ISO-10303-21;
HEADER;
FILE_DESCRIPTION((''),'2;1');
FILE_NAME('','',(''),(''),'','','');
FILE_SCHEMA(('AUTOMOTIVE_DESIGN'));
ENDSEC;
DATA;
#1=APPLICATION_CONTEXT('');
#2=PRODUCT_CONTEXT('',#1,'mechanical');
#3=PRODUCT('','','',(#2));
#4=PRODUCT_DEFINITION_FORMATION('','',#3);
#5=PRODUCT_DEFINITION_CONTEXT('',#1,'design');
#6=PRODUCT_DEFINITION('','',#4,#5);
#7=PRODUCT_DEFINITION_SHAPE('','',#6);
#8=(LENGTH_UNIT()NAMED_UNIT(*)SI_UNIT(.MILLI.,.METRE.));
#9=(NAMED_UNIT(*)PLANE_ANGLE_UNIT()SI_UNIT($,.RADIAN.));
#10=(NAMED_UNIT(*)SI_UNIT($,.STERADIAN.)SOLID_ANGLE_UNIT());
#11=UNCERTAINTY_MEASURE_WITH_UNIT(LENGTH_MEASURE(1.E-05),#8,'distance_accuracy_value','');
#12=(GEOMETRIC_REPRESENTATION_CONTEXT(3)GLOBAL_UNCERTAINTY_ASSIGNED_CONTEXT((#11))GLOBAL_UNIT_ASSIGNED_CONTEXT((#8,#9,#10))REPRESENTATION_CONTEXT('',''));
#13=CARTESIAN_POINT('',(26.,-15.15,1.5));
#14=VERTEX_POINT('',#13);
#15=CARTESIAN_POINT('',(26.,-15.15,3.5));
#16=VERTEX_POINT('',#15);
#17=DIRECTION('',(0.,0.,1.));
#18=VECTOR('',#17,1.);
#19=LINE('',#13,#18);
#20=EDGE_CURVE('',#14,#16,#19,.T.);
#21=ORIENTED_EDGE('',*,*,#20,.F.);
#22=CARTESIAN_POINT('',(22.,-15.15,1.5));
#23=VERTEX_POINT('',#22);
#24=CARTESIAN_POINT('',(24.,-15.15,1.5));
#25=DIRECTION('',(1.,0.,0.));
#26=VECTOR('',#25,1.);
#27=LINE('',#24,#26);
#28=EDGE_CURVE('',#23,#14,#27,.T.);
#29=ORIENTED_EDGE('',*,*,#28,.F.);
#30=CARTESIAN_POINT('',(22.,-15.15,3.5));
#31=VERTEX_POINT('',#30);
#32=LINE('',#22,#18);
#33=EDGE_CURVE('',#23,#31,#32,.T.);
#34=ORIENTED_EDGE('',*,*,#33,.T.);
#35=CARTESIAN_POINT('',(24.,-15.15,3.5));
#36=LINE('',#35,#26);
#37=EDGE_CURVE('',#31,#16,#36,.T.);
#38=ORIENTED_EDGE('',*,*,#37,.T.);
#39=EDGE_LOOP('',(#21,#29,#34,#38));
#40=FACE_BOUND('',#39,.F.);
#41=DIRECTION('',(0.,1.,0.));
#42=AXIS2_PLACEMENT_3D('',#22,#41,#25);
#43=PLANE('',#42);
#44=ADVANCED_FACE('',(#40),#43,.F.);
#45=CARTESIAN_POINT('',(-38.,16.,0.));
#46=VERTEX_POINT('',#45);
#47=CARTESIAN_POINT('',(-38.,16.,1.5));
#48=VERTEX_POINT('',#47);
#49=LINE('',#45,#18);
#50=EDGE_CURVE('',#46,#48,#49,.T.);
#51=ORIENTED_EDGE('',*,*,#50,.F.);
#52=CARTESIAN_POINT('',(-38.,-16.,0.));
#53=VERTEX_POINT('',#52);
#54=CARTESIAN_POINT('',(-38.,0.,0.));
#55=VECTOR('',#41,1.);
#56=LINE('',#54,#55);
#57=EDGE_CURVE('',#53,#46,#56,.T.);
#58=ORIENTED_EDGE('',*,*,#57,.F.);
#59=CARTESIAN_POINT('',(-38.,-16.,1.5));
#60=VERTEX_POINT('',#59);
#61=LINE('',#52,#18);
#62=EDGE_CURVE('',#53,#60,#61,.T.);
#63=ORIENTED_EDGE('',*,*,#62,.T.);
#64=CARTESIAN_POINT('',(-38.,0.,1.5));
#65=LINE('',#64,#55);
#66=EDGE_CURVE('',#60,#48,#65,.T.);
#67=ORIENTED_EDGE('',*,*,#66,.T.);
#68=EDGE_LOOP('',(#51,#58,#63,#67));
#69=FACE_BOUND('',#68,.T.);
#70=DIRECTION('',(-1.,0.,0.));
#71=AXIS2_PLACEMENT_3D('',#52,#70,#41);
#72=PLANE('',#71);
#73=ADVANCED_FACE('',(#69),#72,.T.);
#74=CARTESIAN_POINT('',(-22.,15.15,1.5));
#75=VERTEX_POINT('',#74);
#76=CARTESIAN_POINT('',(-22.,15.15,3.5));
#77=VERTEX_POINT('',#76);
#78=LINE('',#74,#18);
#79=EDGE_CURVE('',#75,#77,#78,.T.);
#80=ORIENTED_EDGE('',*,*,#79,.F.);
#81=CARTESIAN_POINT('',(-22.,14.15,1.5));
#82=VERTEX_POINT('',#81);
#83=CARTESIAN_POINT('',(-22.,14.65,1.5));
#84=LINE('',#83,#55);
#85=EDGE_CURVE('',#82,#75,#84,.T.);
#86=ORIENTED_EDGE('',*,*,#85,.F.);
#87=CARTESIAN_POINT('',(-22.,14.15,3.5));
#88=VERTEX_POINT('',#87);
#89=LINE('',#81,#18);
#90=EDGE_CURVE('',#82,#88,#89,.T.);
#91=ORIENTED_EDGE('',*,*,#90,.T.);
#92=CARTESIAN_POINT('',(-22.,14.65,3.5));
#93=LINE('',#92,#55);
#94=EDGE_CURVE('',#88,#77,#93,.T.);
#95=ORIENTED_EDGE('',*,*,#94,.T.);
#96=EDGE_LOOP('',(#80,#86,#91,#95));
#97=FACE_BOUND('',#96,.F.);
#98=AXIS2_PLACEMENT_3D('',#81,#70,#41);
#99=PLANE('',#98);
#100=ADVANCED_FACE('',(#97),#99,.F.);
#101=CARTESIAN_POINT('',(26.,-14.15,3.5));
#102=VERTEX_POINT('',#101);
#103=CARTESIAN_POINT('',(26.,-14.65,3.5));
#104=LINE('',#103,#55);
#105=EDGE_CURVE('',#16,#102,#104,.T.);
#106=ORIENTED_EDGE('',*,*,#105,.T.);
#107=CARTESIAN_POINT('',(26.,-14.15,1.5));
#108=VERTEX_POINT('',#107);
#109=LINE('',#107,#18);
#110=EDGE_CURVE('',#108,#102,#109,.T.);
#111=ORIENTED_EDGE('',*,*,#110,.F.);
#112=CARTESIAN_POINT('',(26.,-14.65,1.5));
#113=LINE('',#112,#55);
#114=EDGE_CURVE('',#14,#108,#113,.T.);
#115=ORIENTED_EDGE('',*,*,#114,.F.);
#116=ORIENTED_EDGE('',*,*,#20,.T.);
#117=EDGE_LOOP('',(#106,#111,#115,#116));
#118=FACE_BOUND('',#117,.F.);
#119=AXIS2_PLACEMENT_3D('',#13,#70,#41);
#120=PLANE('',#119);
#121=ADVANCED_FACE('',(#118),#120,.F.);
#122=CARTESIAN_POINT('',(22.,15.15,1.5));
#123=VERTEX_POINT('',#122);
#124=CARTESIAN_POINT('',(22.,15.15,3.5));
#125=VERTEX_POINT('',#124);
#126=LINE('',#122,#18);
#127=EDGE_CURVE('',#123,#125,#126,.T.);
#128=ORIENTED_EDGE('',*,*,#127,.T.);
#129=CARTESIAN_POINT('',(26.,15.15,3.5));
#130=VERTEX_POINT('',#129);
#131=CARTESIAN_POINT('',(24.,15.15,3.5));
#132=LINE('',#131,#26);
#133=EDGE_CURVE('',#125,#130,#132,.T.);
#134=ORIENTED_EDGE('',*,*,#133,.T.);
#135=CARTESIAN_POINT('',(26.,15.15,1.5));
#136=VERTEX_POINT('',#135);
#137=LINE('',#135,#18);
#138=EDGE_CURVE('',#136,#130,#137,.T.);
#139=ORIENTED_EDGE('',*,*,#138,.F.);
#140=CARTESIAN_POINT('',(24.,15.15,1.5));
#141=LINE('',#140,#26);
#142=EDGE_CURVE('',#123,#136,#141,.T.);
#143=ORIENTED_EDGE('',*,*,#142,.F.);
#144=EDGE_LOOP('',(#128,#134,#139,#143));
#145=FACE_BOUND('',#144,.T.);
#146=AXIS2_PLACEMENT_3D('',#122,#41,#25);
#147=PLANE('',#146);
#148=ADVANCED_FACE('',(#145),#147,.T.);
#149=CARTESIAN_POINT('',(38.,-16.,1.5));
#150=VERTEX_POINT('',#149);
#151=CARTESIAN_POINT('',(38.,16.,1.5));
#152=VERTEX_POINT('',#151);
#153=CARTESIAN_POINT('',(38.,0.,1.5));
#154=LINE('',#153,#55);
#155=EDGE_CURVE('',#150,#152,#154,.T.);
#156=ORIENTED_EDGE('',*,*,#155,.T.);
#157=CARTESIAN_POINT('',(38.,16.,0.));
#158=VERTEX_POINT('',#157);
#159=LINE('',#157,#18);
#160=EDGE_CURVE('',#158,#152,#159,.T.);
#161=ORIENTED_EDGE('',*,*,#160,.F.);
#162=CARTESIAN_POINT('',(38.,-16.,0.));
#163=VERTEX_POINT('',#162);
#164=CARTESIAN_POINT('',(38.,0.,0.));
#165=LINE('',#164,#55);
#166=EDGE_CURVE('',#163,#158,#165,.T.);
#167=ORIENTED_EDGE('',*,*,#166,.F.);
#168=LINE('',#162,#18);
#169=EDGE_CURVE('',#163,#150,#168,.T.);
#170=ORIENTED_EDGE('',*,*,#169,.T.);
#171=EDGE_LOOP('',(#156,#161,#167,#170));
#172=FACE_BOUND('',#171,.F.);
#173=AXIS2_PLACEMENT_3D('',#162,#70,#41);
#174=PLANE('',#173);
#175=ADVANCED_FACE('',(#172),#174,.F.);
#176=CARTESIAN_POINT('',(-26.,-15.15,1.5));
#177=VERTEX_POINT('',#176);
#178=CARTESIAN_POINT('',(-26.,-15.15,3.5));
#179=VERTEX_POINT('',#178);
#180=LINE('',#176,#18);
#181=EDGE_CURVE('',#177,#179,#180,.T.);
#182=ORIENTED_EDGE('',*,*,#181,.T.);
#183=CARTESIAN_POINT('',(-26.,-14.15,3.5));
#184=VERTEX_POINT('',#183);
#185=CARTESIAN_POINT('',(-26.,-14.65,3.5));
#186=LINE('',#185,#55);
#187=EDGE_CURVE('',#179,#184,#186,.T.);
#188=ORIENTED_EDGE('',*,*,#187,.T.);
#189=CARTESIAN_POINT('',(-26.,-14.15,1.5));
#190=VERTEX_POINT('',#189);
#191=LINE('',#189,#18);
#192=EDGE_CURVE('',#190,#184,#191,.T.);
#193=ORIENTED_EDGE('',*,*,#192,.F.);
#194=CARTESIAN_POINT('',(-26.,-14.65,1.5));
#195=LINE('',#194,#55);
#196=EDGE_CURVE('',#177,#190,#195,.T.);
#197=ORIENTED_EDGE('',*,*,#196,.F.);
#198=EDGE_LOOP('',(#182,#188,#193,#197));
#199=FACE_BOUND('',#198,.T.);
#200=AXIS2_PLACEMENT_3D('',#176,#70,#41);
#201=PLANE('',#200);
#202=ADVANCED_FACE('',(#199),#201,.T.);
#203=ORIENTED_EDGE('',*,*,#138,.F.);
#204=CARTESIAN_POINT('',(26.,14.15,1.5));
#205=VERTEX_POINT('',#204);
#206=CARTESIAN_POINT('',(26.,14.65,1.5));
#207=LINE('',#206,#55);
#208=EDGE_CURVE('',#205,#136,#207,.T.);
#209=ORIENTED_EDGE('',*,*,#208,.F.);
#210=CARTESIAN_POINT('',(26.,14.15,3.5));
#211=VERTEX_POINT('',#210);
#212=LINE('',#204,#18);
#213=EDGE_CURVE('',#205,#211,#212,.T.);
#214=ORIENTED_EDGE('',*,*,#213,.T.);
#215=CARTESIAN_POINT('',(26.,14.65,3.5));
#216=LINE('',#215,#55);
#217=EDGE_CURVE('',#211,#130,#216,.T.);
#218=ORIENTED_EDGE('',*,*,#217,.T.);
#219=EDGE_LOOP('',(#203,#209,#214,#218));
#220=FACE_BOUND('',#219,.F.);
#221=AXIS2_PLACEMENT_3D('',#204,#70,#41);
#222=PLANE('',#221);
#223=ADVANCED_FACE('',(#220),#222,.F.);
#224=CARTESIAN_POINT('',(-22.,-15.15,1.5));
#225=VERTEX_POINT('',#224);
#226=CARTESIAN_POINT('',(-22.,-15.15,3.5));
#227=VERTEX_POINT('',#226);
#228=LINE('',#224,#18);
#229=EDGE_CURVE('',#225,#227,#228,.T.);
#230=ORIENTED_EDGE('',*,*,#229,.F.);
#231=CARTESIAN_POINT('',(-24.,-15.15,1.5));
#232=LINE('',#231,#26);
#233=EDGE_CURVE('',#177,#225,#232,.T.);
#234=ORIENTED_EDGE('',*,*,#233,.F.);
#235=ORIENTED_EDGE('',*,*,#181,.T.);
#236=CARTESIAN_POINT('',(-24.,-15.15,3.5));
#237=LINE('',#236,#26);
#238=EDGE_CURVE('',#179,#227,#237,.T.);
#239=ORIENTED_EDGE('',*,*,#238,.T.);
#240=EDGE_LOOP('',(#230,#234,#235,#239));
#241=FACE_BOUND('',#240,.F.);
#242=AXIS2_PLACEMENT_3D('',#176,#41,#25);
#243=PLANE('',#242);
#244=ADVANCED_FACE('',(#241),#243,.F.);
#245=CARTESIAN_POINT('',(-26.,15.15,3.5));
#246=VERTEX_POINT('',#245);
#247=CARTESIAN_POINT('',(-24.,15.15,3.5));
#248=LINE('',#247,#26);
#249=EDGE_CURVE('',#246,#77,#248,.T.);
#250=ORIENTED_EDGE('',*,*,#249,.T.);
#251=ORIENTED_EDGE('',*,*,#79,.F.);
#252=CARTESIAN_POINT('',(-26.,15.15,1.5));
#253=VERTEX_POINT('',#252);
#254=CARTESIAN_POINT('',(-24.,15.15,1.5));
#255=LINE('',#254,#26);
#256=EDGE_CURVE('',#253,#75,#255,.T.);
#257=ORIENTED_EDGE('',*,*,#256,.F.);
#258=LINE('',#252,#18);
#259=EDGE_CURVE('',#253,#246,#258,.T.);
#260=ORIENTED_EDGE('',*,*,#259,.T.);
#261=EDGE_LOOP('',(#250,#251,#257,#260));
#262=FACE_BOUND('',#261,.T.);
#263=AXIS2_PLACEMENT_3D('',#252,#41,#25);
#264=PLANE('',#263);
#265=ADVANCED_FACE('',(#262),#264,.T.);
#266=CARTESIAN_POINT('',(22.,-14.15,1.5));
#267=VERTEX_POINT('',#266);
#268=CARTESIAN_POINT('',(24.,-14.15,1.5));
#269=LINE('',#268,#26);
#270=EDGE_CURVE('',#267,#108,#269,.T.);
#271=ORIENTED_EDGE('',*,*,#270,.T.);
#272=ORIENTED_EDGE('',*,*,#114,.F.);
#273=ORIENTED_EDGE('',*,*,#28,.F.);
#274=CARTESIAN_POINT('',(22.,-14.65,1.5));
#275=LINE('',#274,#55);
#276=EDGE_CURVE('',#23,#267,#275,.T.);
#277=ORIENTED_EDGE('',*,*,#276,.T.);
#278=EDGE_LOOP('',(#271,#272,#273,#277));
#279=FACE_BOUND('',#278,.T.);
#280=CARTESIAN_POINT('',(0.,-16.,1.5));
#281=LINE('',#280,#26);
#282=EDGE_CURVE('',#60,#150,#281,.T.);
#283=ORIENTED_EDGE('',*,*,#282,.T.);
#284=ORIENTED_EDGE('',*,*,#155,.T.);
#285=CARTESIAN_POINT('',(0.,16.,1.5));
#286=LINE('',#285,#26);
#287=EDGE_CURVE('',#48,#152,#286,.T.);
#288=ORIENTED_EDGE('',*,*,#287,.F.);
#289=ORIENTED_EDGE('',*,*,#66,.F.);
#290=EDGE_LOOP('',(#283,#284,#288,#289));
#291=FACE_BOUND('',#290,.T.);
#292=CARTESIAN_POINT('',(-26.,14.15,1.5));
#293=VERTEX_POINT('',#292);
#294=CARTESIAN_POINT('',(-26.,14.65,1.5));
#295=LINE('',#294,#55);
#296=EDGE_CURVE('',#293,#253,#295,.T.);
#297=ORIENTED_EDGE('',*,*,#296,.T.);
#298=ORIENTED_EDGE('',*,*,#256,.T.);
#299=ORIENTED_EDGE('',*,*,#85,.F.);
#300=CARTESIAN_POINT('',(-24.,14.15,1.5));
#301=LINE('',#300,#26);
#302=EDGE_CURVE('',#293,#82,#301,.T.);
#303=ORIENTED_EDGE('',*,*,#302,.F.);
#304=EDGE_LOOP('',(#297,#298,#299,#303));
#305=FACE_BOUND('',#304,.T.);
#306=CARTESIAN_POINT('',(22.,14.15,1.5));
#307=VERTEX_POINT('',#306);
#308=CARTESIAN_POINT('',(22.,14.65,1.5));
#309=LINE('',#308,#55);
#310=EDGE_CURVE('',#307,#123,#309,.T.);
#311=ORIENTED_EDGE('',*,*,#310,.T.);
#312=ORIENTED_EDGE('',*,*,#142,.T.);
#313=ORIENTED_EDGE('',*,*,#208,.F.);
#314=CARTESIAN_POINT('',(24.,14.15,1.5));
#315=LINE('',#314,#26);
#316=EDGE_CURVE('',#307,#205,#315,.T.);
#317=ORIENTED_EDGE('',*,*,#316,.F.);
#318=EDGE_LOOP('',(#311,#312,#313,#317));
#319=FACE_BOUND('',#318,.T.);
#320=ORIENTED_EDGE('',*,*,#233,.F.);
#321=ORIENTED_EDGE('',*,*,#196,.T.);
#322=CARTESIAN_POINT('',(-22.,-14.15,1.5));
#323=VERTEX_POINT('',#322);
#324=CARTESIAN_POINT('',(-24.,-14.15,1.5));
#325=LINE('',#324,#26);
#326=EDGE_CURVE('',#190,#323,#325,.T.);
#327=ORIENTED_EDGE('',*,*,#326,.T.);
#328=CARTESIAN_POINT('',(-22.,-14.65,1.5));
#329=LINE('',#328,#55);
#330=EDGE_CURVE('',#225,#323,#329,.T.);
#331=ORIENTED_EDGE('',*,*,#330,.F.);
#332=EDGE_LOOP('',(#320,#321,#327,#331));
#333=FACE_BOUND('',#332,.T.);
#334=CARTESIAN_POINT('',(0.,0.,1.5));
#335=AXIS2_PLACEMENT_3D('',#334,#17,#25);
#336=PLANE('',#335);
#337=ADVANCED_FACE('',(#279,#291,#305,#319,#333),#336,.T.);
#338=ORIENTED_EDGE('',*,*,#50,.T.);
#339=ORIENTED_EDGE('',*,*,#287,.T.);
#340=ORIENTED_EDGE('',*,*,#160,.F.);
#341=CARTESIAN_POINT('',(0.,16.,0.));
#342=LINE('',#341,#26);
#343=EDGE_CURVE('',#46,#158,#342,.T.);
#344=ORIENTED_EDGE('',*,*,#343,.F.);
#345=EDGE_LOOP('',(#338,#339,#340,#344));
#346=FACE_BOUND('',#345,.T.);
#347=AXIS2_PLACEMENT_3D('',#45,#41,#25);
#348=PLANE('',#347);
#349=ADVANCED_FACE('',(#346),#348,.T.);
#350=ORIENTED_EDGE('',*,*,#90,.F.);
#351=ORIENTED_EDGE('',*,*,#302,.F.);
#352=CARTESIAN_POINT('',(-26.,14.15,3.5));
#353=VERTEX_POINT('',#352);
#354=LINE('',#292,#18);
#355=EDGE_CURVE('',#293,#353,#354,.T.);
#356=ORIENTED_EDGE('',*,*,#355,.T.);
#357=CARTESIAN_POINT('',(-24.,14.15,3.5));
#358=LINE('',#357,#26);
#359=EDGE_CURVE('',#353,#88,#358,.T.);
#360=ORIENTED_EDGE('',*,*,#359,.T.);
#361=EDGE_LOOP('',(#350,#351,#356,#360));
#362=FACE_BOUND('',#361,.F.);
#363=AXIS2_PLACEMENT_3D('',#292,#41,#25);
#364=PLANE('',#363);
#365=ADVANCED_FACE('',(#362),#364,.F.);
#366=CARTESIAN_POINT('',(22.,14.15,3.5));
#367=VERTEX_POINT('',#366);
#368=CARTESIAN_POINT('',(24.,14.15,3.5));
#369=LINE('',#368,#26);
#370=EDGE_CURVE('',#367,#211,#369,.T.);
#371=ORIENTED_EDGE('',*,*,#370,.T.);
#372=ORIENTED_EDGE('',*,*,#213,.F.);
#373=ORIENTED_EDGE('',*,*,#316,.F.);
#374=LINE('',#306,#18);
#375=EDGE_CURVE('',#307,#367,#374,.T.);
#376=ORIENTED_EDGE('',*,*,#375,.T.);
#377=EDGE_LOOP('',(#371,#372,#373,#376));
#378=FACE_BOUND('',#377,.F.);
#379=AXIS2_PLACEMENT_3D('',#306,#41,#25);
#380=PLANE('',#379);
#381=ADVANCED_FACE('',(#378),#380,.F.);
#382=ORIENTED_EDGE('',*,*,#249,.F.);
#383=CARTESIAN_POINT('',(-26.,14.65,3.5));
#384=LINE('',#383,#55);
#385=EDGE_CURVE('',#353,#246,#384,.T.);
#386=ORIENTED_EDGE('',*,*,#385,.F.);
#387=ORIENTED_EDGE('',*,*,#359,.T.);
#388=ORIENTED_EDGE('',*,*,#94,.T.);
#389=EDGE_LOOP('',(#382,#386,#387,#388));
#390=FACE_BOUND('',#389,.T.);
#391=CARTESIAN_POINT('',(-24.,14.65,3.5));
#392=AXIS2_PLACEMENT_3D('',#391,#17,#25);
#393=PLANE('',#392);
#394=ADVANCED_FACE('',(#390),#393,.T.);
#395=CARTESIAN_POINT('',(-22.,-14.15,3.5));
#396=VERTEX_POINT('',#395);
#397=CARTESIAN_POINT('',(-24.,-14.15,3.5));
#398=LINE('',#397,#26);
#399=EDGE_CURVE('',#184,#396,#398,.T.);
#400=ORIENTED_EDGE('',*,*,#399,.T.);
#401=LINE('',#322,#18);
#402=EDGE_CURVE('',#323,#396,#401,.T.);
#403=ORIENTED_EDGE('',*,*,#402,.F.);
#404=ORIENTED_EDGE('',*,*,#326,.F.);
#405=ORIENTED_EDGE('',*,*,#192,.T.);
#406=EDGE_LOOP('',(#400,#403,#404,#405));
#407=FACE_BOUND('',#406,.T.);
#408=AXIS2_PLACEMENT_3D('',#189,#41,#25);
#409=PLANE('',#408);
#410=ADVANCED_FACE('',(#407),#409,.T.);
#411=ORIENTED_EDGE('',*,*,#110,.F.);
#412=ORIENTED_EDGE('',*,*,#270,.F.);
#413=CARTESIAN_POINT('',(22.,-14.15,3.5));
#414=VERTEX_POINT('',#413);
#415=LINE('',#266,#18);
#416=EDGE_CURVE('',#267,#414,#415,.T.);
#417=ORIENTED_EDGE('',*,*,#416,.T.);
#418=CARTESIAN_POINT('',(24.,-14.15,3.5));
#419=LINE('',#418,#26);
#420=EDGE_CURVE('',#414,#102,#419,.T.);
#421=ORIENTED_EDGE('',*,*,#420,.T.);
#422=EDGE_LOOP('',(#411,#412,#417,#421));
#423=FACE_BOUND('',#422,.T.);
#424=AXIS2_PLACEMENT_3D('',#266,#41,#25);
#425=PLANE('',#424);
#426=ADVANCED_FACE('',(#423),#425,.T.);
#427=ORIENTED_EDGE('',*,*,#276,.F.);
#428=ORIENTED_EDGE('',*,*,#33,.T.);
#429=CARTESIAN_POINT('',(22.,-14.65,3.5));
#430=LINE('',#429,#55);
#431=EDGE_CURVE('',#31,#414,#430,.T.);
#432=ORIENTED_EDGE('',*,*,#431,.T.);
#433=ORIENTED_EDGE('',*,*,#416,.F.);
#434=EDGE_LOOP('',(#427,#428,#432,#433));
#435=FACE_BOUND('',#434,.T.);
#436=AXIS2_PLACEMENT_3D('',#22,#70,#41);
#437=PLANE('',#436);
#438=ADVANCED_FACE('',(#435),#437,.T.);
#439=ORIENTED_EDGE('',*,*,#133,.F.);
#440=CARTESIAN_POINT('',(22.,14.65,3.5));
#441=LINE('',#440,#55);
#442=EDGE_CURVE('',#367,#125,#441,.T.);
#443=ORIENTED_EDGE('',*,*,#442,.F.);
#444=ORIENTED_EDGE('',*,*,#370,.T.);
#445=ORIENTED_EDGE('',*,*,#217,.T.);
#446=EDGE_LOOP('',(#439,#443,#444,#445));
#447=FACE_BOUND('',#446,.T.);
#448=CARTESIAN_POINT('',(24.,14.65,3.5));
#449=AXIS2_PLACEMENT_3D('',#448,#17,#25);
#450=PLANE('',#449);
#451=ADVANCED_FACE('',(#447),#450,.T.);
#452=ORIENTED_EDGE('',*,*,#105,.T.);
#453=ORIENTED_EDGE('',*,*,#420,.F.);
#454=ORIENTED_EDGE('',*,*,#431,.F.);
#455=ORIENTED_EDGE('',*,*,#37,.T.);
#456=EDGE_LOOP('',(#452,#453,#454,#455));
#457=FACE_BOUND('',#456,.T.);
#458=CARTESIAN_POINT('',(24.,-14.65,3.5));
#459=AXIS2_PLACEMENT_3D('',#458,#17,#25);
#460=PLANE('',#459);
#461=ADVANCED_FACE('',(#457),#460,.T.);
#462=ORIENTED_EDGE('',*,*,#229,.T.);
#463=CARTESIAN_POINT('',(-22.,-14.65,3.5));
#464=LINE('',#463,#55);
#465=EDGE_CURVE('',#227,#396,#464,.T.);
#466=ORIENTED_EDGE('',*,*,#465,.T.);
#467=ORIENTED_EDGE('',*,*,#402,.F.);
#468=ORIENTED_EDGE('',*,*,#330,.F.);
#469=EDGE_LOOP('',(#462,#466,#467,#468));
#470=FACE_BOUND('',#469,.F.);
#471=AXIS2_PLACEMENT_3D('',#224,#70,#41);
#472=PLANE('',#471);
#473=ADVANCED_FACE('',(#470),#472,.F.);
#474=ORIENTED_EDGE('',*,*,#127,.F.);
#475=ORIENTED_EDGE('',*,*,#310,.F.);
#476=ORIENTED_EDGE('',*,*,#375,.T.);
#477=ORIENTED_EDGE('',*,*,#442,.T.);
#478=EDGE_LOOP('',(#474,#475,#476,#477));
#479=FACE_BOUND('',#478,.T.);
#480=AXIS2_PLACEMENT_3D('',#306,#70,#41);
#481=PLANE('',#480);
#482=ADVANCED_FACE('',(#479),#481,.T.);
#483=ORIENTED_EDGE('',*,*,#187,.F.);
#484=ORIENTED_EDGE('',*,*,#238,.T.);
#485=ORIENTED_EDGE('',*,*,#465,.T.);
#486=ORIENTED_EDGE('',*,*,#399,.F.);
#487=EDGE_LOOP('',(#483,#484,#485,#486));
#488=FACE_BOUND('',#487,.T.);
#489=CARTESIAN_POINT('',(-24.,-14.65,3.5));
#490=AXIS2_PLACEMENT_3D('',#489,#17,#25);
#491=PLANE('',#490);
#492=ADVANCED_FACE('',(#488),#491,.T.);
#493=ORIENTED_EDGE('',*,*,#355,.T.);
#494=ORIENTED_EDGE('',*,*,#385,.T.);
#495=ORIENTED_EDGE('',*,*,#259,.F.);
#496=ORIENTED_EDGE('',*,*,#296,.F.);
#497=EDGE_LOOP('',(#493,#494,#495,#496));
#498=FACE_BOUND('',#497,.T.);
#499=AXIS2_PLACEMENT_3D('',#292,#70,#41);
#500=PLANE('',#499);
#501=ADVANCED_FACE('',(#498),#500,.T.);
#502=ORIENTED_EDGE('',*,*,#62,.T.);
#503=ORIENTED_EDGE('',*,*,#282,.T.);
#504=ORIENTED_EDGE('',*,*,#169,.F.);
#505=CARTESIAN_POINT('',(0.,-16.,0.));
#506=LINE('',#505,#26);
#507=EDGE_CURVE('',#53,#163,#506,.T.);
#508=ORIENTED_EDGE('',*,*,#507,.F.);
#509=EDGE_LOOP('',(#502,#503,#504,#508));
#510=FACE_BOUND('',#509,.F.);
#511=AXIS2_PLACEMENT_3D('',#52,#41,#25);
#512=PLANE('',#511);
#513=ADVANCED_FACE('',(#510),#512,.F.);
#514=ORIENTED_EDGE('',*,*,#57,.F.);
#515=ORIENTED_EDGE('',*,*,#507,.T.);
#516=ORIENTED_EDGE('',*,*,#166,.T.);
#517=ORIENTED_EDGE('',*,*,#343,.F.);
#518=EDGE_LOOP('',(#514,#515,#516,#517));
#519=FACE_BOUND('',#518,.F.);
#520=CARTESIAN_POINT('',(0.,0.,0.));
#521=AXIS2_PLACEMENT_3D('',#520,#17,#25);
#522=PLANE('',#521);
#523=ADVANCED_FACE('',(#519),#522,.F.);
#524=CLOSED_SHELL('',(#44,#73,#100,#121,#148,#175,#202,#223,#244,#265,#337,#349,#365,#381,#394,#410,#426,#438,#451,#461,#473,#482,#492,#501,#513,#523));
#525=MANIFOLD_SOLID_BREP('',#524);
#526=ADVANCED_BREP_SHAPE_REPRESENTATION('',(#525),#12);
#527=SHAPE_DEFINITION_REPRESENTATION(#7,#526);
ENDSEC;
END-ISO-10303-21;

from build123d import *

# Parameters (mm, degrees)
SKETCH_W     = 76
SKETCH_H     = 32
PAD_DEPTH    = 1.5
SKETCH001_W  = 4
SKETCH001_H  = 1
PAD001_DEPTH = 2


with BuildPart() as part:
    # Sketch (on XY_Plane of Origin) → Pad (new body)
    with BuildSketch(Plane.XY):
        Rectangle(SKETCH_W, SKETCH_H)
    extrude(amount=PAD_DEPTH)

    # Sketch001 (on Face6 of Pad) → Pad001 (join)
    with BuildSketch(Plane.XY.offset(1.5)):
        with Locations((-24, 14.65)):
            Rectangle(SKETCH001_W, SKETCH001_H)
        with Locations((24, 14.65)):
            Rectangle(SKETCH001_W, SKETCH001_H)
        with Locations((-24, -14.65)):
            Rectangle(SKETCH001_W, SKETCH001_H)
        with Locations((24, -14.65)):
            Rectangle(SKETCH001_W, SKETCH001_H)
    extrude(amount=PAD001_DEPTH)


solid = part.part
